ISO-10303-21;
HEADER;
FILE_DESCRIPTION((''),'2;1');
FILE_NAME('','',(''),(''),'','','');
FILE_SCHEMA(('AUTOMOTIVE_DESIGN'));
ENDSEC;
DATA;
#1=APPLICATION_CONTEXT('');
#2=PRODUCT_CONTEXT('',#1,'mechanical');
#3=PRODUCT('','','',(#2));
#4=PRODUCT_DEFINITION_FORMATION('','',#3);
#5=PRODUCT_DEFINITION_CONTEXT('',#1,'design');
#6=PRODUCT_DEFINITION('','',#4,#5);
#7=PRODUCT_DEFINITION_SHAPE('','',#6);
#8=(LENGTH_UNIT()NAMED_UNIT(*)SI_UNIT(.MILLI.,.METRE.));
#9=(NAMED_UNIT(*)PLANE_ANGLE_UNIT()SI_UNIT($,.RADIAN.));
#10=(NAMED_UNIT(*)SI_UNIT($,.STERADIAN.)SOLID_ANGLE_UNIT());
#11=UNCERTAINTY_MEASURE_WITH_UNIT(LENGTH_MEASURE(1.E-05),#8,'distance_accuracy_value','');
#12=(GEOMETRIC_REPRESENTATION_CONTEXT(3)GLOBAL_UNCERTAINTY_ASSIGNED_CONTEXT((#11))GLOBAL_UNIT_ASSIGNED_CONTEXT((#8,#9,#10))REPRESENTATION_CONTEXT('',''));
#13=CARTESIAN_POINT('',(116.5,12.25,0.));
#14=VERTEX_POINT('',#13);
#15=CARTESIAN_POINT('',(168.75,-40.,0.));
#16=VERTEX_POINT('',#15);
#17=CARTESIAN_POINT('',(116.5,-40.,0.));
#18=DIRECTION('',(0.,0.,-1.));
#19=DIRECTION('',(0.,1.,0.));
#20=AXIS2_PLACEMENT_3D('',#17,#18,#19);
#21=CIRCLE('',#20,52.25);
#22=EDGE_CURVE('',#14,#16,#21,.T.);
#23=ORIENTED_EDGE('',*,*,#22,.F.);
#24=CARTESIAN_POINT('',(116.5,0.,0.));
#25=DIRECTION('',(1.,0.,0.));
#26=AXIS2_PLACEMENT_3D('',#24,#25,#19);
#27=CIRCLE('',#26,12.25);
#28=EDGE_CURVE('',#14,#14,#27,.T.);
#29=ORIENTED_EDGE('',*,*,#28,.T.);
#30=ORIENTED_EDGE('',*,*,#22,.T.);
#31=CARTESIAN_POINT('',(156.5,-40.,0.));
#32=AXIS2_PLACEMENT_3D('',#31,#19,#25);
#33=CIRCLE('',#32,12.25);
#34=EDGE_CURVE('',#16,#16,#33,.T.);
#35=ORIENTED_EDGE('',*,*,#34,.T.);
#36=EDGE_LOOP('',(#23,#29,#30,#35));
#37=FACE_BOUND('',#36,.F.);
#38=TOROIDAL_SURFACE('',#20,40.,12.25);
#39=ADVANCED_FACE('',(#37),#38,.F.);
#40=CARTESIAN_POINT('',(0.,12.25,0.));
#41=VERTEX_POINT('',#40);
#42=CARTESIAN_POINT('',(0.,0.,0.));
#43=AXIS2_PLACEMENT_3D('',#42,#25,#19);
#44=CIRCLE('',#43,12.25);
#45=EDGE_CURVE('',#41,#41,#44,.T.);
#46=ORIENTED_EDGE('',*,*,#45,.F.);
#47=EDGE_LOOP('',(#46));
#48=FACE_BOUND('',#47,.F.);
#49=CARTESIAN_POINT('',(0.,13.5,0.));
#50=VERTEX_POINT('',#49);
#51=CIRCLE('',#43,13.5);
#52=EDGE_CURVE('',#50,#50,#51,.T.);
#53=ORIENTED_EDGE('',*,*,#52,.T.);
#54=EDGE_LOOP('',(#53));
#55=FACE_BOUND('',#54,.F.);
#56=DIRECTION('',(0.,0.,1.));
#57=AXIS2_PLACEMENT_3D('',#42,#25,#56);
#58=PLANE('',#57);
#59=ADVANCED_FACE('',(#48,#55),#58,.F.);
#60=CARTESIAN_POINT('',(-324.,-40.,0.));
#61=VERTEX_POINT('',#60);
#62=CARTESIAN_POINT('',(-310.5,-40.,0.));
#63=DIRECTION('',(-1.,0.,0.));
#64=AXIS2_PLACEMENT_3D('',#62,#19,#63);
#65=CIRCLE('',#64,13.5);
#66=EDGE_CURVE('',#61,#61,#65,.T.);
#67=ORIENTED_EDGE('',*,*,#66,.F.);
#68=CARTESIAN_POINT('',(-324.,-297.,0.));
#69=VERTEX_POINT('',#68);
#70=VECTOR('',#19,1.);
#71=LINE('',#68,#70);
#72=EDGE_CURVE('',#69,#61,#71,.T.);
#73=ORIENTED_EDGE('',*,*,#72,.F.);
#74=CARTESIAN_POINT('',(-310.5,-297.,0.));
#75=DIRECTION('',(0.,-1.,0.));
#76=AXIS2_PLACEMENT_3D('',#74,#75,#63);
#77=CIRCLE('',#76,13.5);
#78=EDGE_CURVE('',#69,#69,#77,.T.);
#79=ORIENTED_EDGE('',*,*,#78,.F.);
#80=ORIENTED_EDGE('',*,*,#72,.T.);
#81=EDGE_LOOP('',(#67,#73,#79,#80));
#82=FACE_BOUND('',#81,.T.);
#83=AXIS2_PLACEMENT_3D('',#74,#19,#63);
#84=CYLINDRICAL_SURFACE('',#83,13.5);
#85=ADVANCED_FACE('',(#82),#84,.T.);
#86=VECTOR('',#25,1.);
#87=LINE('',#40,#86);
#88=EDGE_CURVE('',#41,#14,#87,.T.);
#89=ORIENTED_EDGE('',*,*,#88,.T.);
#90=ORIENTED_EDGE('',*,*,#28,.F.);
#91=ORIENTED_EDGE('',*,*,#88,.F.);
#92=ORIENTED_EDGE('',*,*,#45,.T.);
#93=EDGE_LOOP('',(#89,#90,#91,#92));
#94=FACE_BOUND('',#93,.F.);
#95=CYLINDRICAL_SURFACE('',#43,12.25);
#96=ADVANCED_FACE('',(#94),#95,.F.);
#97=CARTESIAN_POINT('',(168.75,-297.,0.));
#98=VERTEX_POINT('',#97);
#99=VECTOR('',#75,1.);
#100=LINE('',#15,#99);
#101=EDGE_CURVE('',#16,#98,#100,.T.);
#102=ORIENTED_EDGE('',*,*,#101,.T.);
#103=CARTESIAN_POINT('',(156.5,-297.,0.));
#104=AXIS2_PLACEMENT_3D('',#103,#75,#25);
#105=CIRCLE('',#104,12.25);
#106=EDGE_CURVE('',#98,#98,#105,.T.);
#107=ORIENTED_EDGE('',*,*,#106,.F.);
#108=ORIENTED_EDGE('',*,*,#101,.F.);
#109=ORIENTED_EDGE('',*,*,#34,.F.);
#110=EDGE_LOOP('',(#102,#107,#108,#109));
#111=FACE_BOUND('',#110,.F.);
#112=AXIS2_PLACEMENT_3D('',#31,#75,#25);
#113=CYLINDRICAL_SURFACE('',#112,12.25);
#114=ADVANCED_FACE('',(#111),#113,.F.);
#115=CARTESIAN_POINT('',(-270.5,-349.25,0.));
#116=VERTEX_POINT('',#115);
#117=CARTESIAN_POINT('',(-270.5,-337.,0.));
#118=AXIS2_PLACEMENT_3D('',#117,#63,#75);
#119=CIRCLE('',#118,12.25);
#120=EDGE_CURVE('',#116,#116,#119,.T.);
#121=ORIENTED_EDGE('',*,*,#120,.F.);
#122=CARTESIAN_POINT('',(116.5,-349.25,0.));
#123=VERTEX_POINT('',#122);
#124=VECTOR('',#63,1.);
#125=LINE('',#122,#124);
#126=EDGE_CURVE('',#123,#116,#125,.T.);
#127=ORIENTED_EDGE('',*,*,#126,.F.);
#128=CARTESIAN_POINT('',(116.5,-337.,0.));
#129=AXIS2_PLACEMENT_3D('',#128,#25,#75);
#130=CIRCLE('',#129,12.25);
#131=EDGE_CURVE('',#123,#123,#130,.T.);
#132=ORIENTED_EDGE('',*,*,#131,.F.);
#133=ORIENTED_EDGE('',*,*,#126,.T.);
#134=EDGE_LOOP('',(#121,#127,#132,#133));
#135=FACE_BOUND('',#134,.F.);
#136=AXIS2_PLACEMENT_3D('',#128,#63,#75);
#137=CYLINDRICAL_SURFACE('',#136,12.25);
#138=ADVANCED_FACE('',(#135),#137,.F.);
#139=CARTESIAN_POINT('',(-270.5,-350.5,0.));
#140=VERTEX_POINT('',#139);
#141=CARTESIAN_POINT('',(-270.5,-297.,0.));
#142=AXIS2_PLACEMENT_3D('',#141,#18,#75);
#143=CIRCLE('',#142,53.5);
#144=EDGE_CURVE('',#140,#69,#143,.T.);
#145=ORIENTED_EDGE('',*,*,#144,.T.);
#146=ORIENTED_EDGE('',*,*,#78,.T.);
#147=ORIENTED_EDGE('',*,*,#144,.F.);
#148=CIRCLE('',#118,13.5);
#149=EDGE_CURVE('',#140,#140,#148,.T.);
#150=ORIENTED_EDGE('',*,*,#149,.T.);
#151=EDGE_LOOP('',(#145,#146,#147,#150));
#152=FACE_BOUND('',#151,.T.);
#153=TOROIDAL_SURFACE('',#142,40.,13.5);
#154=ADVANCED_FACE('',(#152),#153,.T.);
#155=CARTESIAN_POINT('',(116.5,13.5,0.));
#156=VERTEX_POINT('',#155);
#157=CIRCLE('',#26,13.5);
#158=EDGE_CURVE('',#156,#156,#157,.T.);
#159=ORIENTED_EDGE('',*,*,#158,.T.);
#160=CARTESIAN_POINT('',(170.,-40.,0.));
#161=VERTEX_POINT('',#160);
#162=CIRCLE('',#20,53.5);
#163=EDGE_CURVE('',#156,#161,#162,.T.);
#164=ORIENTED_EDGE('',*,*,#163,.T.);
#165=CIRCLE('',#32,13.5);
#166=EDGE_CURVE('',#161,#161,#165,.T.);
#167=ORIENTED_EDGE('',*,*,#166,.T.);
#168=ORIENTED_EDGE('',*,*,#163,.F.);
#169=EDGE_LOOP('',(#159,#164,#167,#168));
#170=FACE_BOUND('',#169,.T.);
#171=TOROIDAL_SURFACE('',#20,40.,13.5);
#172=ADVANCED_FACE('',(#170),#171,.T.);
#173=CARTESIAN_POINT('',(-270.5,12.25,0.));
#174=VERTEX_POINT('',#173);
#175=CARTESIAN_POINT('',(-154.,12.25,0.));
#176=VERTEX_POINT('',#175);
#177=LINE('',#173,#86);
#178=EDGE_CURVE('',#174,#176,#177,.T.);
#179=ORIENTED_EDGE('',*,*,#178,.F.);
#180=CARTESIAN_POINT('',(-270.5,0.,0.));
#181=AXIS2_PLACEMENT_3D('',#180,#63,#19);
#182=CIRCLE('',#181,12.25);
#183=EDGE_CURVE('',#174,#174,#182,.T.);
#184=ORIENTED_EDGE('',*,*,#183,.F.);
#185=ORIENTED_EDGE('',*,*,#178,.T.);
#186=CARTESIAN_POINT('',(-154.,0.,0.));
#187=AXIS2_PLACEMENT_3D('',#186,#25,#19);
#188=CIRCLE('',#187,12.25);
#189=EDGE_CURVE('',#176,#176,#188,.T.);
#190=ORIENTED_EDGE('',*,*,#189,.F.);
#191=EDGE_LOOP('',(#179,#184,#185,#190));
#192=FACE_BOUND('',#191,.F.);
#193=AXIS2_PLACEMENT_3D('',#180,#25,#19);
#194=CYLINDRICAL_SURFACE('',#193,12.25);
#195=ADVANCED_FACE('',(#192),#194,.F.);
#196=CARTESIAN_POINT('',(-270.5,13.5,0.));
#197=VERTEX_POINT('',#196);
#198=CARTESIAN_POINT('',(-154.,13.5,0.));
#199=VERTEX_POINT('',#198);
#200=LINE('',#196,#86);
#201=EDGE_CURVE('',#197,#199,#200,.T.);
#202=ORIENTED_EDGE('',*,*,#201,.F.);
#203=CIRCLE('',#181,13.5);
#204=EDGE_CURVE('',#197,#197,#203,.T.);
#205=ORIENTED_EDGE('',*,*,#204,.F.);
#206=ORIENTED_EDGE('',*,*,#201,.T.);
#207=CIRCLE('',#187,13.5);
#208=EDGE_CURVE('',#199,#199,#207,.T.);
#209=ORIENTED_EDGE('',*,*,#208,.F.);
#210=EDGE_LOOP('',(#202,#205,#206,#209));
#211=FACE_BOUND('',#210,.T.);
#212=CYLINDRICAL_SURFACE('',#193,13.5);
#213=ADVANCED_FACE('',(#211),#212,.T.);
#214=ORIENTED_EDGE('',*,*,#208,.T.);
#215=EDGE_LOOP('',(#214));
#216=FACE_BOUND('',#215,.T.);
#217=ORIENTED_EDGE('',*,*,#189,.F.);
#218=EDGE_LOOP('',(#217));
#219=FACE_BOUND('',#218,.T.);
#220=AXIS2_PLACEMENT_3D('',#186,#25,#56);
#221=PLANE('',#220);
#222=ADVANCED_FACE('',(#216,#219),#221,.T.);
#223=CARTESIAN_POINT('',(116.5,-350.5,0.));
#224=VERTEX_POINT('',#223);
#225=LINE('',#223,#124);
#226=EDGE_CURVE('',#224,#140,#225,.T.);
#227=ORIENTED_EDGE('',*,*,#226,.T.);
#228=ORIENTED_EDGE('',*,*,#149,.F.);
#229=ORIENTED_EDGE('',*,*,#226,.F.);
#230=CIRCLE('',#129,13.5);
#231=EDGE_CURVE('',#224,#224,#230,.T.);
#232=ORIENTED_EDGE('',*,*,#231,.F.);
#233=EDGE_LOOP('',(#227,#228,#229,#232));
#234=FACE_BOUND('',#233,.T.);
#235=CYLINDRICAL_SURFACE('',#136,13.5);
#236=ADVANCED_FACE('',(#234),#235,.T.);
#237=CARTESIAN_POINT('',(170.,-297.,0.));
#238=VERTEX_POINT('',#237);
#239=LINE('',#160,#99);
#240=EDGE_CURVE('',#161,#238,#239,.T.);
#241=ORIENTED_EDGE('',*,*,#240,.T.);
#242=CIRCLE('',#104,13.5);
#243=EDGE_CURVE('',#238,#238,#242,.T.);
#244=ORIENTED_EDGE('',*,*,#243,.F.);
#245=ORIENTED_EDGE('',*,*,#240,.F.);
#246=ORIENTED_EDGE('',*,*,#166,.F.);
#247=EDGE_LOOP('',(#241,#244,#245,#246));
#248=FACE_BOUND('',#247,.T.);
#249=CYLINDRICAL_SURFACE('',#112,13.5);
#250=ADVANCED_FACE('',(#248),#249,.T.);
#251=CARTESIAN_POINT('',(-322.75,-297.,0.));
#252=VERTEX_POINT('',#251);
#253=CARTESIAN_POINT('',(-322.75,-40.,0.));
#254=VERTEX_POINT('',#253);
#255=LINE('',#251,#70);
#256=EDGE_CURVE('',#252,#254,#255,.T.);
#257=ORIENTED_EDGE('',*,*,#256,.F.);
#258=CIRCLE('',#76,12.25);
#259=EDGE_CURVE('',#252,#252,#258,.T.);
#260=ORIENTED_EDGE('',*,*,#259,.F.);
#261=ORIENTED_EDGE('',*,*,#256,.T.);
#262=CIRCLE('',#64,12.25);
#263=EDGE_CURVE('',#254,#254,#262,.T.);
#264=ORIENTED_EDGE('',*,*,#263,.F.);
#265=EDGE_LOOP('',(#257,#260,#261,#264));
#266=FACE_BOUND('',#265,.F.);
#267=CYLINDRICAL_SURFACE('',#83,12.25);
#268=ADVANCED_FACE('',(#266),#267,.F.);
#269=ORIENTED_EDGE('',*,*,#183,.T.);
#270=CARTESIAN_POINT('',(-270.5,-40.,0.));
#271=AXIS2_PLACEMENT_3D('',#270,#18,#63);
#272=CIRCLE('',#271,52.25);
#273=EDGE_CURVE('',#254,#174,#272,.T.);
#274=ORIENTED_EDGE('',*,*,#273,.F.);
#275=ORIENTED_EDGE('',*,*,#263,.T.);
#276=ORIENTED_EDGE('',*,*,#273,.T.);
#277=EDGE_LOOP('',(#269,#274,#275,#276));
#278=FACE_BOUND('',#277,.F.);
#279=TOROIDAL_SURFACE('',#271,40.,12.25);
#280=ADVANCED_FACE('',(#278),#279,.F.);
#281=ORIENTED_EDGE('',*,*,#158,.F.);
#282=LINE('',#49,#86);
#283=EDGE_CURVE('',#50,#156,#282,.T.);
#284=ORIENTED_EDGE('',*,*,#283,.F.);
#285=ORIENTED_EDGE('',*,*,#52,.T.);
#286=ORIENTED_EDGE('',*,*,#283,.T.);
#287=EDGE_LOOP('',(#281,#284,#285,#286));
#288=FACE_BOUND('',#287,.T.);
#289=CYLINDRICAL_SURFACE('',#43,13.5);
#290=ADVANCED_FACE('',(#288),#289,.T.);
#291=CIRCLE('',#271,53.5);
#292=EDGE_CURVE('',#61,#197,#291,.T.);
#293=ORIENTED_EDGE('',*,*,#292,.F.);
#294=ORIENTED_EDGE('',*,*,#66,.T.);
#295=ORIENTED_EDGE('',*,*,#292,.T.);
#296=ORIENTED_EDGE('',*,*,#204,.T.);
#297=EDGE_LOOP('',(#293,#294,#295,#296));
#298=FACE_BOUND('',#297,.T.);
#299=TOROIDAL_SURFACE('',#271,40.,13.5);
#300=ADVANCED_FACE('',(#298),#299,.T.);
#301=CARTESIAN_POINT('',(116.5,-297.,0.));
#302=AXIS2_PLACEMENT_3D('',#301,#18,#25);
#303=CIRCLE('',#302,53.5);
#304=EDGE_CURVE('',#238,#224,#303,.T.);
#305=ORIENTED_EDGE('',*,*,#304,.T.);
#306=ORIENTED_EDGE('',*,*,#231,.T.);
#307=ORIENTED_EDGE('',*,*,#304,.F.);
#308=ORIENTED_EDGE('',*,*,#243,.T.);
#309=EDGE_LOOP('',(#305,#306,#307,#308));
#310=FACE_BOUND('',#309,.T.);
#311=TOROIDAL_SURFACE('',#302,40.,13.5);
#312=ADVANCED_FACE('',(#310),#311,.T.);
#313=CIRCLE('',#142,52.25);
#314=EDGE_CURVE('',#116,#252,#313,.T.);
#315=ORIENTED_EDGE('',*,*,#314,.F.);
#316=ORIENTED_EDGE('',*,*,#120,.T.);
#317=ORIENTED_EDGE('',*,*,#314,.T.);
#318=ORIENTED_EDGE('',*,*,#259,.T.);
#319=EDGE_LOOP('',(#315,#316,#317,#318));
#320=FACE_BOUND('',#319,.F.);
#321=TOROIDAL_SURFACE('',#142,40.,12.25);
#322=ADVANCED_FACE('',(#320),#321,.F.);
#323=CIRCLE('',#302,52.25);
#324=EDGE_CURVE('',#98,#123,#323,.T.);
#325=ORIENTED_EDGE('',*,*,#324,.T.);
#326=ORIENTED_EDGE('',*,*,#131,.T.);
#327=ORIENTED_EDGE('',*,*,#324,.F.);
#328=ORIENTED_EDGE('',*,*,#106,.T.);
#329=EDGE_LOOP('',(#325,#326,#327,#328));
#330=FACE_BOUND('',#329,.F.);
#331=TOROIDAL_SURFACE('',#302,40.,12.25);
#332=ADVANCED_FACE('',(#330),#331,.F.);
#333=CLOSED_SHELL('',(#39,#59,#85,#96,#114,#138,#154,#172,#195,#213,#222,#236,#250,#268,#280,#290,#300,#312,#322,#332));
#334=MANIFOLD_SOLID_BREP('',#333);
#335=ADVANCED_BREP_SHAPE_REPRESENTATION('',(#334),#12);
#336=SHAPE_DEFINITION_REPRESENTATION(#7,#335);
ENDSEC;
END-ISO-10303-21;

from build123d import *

# Parameters (mm, degrees)
F0_R   = 13.5
F0_R_2 = 12.25


with BuildPart() as f2:
    # F2: sweep along a path in F1
    with BuildLine(Plane.XY) as f2_path:
        Line((0, 0), (116.5, 0))
        ThreePointArc((116.5, 0), (144.7842712475, -11.7157287525), (156.5, -40))
        Line((156.5, -40), (156.5, -297))
        ThreePointArc((156.5, -297), (144.7842712475, -325.2842712475), (116.5, -337))
        Line((116.5, -337), (-270.5, -337))
        ThreePointArc((-270.5, -337), (-298.7842712475, -325.2842712475), (-310.5, -297))
        Line((-310.5, -297), (-310.5, -40))
        ThreePointArc((-310.5, -40), (-298.7842712475, -11.7157287525), (-270.5, 0))
        Line((-270.5, 0), (-154, 0))
    # F0 (on Right) → F2 (sweep)
    with BuildSketch(Plane.YZ):
        Circle(F0_R)
        Circle(F0_R_2, mode=Mode.SUBTRACT)
    sweep(path=f2_path.line)


solid = f2.part
